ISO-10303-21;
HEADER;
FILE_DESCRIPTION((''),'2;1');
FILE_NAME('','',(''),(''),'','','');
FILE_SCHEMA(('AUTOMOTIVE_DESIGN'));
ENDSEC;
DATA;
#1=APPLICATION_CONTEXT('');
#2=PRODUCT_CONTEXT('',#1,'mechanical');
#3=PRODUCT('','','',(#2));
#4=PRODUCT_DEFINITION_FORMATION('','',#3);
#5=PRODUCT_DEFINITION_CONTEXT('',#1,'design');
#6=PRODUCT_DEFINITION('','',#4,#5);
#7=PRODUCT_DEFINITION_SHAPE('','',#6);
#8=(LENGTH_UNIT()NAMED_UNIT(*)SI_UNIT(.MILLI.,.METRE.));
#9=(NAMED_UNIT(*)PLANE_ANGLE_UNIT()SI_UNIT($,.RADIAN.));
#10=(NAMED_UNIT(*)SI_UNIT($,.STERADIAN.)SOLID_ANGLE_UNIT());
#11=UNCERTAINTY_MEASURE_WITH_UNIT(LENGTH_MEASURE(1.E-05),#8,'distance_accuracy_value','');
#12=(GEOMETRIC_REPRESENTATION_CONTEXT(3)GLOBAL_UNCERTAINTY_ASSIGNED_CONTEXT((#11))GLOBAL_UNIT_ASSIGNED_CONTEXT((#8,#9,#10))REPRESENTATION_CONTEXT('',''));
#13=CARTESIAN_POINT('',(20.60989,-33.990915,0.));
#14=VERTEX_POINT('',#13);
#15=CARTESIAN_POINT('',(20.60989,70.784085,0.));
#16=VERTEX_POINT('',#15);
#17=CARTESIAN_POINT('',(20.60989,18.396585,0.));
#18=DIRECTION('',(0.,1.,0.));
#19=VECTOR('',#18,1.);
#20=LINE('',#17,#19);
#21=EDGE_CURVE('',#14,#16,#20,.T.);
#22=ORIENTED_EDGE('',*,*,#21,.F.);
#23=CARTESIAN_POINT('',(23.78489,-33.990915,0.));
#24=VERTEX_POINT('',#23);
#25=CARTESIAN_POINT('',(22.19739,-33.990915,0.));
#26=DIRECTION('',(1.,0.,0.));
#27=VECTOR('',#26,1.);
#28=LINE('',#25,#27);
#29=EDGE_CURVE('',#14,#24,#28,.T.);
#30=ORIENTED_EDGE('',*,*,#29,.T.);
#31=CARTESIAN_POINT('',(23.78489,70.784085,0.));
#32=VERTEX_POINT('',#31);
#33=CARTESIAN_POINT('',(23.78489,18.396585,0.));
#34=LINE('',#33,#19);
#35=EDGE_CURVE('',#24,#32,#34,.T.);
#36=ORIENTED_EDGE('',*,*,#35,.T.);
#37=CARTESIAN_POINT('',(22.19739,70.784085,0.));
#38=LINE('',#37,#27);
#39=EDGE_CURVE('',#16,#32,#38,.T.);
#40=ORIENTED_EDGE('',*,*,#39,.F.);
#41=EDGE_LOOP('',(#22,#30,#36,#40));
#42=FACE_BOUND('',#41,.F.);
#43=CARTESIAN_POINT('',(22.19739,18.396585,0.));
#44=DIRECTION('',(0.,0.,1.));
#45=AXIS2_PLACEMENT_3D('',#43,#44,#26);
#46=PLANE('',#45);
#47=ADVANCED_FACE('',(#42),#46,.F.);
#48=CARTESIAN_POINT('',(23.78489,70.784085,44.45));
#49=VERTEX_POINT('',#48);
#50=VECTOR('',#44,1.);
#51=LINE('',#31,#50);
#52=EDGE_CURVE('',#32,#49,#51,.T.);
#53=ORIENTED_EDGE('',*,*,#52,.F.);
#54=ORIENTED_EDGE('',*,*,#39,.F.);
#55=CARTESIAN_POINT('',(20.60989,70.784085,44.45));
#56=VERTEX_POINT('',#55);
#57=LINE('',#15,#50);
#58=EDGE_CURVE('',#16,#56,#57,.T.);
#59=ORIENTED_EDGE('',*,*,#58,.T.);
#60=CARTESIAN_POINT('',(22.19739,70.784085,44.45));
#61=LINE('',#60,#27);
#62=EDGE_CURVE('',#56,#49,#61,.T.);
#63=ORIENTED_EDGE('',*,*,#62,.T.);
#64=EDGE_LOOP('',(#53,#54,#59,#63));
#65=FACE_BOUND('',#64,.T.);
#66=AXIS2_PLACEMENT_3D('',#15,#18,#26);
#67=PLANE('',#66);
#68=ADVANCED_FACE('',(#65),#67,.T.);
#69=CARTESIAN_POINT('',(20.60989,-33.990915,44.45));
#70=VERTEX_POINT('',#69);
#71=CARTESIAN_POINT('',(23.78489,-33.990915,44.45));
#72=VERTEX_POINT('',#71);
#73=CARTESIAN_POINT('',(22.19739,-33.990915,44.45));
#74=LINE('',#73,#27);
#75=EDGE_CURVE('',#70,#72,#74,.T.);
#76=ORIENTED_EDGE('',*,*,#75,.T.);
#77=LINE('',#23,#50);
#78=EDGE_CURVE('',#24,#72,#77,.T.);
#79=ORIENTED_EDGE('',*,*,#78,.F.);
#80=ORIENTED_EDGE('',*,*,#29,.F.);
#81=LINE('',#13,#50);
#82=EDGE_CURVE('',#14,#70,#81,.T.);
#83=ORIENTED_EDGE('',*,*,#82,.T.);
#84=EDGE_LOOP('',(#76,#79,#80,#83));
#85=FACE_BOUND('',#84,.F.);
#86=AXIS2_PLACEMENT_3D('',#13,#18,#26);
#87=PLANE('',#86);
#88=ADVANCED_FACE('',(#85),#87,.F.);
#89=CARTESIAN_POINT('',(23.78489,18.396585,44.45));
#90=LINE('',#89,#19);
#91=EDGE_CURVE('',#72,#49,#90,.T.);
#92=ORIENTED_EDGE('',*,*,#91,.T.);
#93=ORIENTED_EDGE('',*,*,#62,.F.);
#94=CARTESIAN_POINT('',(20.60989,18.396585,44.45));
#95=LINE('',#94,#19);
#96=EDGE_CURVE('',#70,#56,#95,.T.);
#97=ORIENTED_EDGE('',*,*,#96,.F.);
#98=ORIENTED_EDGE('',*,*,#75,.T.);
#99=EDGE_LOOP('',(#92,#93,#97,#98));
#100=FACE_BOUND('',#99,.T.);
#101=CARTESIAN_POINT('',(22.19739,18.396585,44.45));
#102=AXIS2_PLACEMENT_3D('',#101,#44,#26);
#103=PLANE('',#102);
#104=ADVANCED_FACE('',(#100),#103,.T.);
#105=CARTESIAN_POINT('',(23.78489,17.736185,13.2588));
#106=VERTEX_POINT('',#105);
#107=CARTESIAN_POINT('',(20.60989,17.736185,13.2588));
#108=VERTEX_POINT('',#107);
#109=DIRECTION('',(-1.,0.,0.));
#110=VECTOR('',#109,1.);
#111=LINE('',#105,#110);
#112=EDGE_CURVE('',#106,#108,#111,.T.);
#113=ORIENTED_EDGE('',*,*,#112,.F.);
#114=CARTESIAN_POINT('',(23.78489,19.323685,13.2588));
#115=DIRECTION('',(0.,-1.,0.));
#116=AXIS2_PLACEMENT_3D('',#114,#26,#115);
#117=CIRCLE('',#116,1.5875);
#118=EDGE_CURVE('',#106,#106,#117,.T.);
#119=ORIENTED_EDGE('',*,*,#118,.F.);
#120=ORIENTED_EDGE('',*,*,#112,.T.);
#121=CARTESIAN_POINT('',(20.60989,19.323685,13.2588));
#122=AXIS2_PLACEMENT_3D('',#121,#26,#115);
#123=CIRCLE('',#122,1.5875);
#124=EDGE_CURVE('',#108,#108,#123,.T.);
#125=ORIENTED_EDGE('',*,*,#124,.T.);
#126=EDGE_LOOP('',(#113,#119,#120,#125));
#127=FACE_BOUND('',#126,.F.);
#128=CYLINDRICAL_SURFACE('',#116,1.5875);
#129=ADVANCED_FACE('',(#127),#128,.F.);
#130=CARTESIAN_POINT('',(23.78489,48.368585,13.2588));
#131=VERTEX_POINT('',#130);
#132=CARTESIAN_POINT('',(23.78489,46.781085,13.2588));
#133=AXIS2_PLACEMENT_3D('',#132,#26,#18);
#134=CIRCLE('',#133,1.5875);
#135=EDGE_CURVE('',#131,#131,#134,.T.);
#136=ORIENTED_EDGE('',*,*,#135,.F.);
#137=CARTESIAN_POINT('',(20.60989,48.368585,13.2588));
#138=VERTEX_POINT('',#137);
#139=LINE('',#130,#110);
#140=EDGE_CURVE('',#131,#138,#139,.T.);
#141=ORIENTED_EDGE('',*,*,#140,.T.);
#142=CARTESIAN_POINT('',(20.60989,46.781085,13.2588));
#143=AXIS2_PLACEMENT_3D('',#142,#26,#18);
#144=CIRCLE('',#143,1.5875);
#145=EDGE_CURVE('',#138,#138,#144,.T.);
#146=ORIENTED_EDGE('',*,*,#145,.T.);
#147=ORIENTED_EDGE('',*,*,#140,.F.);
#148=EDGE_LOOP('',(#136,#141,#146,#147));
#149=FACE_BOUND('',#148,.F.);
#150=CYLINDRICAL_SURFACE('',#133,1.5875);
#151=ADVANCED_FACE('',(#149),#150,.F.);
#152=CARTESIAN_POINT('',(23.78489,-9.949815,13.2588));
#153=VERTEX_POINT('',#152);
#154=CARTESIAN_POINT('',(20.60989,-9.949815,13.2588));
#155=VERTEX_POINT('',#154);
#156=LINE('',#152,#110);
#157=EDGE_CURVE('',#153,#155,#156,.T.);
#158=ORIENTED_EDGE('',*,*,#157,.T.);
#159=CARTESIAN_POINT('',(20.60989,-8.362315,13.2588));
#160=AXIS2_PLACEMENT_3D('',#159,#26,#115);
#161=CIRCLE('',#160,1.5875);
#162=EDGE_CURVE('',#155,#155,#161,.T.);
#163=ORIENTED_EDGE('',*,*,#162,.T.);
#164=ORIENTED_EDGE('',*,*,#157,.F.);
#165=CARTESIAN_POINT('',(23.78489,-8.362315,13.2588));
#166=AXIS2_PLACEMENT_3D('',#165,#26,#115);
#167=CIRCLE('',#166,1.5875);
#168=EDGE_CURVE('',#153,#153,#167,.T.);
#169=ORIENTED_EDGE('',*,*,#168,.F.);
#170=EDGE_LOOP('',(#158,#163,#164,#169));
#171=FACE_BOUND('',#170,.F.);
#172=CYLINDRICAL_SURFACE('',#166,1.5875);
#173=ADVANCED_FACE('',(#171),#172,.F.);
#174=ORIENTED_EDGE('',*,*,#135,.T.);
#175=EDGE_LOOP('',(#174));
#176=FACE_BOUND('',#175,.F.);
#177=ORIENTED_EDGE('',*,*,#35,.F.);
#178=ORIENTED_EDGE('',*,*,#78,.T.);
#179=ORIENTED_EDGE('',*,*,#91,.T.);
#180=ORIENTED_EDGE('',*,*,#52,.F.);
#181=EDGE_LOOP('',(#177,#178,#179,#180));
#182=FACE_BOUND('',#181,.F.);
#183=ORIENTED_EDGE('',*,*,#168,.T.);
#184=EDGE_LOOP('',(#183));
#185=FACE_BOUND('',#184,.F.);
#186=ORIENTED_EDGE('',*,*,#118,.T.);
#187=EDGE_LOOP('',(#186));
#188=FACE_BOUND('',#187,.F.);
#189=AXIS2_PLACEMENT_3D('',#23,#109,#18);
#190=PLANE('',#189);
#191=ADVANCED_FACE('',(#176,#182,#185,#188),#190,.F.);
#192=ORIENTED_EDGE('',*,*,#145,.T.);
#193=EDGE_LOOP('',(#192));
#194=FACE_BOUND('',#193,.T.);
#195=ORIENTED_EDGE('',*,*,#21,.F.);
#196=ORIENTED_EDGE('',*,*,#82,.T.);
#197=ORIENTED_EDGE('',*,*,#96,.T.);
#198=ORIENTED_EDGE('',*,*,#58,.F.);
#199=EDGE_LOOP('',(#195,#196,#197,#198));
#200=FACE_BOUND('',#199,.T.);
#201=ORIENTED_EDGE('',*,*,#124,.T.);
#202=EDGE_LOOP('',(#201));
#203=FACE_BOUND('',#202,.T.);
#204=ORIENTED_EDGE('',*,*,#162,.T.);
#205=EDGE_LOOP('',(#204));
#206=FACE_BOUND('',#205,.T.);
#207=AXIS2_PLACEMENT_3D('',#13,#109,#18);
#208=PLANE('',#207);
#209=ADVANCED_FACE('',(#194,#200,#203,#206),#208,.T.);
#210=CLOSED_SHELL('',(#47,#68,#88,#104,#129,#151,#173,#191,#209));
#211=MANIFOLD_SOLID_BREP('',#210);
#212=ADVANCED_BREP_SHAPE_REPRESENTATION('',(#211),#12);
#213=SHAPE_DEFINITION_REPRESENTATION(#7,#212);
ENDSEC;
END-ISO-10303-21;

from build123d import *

# Parameters (mm, degrees)
F0_W     = 3.175
F0_H     = 104.775
F1_DEPTH = 44.45
F3_DEPTH = 152.4


with BuildPart() as f1:
    # F0 (on Top) → F1 (new body)
    with BuildSketch(Plane.XY):
        with Locations((22.19739, 18.396585)):
            Rectangle(F0_W, F0_H)
    extrude(amount=F1_DEPTH)

    # F2 (on face) → F3 (cut)
    with BuildSketch(Plane.YZ.offset(23.78489)):
        with BuildLine():
            ThreePointArc((-6.774815, 13.2588), (-8.362315, 14.8463), (-9.949815, 13.2588))
            Line((-9.949815, 13.2588), (-8.362315, 13.2588))
            Line((-8.362315, 13.2588), (-6.774815, 13.2588))
        make_face()
        with BuildLine():
            Line((-8.362315, 13.2588), (-9.949815, 13.2588))
            ThreePointArc((-9.949815, 13.2588), (-8.362315, 11.6713), (-6.774815, 13.2588))
            Line((-6.774815, 13.2588), (-8.362315, 13.2588))
        make_face()
        with BuildLine():
            Line((19.323685, 13.2588), (20.911185, 13.2588))
            ThreePointArc((20.911185, 13.2588), (19.323685, 14.8463), (17.736185, 13.2588))
            Line((17.736185, 13.2588), (19.323685, 13.2588))
        make_face()
        with BuildLine():
            ThreePointArc((17.736185, 13.2588), (19.323685, 11.6713), (20.911185, 13.2588))
            Line((20.911185, 13.2588), (19.323685, 13.2588))
            Line((19.323685, 13.2588), (17.736185, 13.2588))
        make_face()
        with BuildLine():
            ThreePointArc((45.193585, 13.2588), (46.781085, 11.6713), (48.368585, 13.2588))
            ThreePointArc((48.368585, 13.2588), (46.781085, 14.8463), (45.193585, 13.2588))
        make_face()
    extrude(amount=-F3_DEPTH, mode=Mode.SUBTRACT)


solid = f1.part
